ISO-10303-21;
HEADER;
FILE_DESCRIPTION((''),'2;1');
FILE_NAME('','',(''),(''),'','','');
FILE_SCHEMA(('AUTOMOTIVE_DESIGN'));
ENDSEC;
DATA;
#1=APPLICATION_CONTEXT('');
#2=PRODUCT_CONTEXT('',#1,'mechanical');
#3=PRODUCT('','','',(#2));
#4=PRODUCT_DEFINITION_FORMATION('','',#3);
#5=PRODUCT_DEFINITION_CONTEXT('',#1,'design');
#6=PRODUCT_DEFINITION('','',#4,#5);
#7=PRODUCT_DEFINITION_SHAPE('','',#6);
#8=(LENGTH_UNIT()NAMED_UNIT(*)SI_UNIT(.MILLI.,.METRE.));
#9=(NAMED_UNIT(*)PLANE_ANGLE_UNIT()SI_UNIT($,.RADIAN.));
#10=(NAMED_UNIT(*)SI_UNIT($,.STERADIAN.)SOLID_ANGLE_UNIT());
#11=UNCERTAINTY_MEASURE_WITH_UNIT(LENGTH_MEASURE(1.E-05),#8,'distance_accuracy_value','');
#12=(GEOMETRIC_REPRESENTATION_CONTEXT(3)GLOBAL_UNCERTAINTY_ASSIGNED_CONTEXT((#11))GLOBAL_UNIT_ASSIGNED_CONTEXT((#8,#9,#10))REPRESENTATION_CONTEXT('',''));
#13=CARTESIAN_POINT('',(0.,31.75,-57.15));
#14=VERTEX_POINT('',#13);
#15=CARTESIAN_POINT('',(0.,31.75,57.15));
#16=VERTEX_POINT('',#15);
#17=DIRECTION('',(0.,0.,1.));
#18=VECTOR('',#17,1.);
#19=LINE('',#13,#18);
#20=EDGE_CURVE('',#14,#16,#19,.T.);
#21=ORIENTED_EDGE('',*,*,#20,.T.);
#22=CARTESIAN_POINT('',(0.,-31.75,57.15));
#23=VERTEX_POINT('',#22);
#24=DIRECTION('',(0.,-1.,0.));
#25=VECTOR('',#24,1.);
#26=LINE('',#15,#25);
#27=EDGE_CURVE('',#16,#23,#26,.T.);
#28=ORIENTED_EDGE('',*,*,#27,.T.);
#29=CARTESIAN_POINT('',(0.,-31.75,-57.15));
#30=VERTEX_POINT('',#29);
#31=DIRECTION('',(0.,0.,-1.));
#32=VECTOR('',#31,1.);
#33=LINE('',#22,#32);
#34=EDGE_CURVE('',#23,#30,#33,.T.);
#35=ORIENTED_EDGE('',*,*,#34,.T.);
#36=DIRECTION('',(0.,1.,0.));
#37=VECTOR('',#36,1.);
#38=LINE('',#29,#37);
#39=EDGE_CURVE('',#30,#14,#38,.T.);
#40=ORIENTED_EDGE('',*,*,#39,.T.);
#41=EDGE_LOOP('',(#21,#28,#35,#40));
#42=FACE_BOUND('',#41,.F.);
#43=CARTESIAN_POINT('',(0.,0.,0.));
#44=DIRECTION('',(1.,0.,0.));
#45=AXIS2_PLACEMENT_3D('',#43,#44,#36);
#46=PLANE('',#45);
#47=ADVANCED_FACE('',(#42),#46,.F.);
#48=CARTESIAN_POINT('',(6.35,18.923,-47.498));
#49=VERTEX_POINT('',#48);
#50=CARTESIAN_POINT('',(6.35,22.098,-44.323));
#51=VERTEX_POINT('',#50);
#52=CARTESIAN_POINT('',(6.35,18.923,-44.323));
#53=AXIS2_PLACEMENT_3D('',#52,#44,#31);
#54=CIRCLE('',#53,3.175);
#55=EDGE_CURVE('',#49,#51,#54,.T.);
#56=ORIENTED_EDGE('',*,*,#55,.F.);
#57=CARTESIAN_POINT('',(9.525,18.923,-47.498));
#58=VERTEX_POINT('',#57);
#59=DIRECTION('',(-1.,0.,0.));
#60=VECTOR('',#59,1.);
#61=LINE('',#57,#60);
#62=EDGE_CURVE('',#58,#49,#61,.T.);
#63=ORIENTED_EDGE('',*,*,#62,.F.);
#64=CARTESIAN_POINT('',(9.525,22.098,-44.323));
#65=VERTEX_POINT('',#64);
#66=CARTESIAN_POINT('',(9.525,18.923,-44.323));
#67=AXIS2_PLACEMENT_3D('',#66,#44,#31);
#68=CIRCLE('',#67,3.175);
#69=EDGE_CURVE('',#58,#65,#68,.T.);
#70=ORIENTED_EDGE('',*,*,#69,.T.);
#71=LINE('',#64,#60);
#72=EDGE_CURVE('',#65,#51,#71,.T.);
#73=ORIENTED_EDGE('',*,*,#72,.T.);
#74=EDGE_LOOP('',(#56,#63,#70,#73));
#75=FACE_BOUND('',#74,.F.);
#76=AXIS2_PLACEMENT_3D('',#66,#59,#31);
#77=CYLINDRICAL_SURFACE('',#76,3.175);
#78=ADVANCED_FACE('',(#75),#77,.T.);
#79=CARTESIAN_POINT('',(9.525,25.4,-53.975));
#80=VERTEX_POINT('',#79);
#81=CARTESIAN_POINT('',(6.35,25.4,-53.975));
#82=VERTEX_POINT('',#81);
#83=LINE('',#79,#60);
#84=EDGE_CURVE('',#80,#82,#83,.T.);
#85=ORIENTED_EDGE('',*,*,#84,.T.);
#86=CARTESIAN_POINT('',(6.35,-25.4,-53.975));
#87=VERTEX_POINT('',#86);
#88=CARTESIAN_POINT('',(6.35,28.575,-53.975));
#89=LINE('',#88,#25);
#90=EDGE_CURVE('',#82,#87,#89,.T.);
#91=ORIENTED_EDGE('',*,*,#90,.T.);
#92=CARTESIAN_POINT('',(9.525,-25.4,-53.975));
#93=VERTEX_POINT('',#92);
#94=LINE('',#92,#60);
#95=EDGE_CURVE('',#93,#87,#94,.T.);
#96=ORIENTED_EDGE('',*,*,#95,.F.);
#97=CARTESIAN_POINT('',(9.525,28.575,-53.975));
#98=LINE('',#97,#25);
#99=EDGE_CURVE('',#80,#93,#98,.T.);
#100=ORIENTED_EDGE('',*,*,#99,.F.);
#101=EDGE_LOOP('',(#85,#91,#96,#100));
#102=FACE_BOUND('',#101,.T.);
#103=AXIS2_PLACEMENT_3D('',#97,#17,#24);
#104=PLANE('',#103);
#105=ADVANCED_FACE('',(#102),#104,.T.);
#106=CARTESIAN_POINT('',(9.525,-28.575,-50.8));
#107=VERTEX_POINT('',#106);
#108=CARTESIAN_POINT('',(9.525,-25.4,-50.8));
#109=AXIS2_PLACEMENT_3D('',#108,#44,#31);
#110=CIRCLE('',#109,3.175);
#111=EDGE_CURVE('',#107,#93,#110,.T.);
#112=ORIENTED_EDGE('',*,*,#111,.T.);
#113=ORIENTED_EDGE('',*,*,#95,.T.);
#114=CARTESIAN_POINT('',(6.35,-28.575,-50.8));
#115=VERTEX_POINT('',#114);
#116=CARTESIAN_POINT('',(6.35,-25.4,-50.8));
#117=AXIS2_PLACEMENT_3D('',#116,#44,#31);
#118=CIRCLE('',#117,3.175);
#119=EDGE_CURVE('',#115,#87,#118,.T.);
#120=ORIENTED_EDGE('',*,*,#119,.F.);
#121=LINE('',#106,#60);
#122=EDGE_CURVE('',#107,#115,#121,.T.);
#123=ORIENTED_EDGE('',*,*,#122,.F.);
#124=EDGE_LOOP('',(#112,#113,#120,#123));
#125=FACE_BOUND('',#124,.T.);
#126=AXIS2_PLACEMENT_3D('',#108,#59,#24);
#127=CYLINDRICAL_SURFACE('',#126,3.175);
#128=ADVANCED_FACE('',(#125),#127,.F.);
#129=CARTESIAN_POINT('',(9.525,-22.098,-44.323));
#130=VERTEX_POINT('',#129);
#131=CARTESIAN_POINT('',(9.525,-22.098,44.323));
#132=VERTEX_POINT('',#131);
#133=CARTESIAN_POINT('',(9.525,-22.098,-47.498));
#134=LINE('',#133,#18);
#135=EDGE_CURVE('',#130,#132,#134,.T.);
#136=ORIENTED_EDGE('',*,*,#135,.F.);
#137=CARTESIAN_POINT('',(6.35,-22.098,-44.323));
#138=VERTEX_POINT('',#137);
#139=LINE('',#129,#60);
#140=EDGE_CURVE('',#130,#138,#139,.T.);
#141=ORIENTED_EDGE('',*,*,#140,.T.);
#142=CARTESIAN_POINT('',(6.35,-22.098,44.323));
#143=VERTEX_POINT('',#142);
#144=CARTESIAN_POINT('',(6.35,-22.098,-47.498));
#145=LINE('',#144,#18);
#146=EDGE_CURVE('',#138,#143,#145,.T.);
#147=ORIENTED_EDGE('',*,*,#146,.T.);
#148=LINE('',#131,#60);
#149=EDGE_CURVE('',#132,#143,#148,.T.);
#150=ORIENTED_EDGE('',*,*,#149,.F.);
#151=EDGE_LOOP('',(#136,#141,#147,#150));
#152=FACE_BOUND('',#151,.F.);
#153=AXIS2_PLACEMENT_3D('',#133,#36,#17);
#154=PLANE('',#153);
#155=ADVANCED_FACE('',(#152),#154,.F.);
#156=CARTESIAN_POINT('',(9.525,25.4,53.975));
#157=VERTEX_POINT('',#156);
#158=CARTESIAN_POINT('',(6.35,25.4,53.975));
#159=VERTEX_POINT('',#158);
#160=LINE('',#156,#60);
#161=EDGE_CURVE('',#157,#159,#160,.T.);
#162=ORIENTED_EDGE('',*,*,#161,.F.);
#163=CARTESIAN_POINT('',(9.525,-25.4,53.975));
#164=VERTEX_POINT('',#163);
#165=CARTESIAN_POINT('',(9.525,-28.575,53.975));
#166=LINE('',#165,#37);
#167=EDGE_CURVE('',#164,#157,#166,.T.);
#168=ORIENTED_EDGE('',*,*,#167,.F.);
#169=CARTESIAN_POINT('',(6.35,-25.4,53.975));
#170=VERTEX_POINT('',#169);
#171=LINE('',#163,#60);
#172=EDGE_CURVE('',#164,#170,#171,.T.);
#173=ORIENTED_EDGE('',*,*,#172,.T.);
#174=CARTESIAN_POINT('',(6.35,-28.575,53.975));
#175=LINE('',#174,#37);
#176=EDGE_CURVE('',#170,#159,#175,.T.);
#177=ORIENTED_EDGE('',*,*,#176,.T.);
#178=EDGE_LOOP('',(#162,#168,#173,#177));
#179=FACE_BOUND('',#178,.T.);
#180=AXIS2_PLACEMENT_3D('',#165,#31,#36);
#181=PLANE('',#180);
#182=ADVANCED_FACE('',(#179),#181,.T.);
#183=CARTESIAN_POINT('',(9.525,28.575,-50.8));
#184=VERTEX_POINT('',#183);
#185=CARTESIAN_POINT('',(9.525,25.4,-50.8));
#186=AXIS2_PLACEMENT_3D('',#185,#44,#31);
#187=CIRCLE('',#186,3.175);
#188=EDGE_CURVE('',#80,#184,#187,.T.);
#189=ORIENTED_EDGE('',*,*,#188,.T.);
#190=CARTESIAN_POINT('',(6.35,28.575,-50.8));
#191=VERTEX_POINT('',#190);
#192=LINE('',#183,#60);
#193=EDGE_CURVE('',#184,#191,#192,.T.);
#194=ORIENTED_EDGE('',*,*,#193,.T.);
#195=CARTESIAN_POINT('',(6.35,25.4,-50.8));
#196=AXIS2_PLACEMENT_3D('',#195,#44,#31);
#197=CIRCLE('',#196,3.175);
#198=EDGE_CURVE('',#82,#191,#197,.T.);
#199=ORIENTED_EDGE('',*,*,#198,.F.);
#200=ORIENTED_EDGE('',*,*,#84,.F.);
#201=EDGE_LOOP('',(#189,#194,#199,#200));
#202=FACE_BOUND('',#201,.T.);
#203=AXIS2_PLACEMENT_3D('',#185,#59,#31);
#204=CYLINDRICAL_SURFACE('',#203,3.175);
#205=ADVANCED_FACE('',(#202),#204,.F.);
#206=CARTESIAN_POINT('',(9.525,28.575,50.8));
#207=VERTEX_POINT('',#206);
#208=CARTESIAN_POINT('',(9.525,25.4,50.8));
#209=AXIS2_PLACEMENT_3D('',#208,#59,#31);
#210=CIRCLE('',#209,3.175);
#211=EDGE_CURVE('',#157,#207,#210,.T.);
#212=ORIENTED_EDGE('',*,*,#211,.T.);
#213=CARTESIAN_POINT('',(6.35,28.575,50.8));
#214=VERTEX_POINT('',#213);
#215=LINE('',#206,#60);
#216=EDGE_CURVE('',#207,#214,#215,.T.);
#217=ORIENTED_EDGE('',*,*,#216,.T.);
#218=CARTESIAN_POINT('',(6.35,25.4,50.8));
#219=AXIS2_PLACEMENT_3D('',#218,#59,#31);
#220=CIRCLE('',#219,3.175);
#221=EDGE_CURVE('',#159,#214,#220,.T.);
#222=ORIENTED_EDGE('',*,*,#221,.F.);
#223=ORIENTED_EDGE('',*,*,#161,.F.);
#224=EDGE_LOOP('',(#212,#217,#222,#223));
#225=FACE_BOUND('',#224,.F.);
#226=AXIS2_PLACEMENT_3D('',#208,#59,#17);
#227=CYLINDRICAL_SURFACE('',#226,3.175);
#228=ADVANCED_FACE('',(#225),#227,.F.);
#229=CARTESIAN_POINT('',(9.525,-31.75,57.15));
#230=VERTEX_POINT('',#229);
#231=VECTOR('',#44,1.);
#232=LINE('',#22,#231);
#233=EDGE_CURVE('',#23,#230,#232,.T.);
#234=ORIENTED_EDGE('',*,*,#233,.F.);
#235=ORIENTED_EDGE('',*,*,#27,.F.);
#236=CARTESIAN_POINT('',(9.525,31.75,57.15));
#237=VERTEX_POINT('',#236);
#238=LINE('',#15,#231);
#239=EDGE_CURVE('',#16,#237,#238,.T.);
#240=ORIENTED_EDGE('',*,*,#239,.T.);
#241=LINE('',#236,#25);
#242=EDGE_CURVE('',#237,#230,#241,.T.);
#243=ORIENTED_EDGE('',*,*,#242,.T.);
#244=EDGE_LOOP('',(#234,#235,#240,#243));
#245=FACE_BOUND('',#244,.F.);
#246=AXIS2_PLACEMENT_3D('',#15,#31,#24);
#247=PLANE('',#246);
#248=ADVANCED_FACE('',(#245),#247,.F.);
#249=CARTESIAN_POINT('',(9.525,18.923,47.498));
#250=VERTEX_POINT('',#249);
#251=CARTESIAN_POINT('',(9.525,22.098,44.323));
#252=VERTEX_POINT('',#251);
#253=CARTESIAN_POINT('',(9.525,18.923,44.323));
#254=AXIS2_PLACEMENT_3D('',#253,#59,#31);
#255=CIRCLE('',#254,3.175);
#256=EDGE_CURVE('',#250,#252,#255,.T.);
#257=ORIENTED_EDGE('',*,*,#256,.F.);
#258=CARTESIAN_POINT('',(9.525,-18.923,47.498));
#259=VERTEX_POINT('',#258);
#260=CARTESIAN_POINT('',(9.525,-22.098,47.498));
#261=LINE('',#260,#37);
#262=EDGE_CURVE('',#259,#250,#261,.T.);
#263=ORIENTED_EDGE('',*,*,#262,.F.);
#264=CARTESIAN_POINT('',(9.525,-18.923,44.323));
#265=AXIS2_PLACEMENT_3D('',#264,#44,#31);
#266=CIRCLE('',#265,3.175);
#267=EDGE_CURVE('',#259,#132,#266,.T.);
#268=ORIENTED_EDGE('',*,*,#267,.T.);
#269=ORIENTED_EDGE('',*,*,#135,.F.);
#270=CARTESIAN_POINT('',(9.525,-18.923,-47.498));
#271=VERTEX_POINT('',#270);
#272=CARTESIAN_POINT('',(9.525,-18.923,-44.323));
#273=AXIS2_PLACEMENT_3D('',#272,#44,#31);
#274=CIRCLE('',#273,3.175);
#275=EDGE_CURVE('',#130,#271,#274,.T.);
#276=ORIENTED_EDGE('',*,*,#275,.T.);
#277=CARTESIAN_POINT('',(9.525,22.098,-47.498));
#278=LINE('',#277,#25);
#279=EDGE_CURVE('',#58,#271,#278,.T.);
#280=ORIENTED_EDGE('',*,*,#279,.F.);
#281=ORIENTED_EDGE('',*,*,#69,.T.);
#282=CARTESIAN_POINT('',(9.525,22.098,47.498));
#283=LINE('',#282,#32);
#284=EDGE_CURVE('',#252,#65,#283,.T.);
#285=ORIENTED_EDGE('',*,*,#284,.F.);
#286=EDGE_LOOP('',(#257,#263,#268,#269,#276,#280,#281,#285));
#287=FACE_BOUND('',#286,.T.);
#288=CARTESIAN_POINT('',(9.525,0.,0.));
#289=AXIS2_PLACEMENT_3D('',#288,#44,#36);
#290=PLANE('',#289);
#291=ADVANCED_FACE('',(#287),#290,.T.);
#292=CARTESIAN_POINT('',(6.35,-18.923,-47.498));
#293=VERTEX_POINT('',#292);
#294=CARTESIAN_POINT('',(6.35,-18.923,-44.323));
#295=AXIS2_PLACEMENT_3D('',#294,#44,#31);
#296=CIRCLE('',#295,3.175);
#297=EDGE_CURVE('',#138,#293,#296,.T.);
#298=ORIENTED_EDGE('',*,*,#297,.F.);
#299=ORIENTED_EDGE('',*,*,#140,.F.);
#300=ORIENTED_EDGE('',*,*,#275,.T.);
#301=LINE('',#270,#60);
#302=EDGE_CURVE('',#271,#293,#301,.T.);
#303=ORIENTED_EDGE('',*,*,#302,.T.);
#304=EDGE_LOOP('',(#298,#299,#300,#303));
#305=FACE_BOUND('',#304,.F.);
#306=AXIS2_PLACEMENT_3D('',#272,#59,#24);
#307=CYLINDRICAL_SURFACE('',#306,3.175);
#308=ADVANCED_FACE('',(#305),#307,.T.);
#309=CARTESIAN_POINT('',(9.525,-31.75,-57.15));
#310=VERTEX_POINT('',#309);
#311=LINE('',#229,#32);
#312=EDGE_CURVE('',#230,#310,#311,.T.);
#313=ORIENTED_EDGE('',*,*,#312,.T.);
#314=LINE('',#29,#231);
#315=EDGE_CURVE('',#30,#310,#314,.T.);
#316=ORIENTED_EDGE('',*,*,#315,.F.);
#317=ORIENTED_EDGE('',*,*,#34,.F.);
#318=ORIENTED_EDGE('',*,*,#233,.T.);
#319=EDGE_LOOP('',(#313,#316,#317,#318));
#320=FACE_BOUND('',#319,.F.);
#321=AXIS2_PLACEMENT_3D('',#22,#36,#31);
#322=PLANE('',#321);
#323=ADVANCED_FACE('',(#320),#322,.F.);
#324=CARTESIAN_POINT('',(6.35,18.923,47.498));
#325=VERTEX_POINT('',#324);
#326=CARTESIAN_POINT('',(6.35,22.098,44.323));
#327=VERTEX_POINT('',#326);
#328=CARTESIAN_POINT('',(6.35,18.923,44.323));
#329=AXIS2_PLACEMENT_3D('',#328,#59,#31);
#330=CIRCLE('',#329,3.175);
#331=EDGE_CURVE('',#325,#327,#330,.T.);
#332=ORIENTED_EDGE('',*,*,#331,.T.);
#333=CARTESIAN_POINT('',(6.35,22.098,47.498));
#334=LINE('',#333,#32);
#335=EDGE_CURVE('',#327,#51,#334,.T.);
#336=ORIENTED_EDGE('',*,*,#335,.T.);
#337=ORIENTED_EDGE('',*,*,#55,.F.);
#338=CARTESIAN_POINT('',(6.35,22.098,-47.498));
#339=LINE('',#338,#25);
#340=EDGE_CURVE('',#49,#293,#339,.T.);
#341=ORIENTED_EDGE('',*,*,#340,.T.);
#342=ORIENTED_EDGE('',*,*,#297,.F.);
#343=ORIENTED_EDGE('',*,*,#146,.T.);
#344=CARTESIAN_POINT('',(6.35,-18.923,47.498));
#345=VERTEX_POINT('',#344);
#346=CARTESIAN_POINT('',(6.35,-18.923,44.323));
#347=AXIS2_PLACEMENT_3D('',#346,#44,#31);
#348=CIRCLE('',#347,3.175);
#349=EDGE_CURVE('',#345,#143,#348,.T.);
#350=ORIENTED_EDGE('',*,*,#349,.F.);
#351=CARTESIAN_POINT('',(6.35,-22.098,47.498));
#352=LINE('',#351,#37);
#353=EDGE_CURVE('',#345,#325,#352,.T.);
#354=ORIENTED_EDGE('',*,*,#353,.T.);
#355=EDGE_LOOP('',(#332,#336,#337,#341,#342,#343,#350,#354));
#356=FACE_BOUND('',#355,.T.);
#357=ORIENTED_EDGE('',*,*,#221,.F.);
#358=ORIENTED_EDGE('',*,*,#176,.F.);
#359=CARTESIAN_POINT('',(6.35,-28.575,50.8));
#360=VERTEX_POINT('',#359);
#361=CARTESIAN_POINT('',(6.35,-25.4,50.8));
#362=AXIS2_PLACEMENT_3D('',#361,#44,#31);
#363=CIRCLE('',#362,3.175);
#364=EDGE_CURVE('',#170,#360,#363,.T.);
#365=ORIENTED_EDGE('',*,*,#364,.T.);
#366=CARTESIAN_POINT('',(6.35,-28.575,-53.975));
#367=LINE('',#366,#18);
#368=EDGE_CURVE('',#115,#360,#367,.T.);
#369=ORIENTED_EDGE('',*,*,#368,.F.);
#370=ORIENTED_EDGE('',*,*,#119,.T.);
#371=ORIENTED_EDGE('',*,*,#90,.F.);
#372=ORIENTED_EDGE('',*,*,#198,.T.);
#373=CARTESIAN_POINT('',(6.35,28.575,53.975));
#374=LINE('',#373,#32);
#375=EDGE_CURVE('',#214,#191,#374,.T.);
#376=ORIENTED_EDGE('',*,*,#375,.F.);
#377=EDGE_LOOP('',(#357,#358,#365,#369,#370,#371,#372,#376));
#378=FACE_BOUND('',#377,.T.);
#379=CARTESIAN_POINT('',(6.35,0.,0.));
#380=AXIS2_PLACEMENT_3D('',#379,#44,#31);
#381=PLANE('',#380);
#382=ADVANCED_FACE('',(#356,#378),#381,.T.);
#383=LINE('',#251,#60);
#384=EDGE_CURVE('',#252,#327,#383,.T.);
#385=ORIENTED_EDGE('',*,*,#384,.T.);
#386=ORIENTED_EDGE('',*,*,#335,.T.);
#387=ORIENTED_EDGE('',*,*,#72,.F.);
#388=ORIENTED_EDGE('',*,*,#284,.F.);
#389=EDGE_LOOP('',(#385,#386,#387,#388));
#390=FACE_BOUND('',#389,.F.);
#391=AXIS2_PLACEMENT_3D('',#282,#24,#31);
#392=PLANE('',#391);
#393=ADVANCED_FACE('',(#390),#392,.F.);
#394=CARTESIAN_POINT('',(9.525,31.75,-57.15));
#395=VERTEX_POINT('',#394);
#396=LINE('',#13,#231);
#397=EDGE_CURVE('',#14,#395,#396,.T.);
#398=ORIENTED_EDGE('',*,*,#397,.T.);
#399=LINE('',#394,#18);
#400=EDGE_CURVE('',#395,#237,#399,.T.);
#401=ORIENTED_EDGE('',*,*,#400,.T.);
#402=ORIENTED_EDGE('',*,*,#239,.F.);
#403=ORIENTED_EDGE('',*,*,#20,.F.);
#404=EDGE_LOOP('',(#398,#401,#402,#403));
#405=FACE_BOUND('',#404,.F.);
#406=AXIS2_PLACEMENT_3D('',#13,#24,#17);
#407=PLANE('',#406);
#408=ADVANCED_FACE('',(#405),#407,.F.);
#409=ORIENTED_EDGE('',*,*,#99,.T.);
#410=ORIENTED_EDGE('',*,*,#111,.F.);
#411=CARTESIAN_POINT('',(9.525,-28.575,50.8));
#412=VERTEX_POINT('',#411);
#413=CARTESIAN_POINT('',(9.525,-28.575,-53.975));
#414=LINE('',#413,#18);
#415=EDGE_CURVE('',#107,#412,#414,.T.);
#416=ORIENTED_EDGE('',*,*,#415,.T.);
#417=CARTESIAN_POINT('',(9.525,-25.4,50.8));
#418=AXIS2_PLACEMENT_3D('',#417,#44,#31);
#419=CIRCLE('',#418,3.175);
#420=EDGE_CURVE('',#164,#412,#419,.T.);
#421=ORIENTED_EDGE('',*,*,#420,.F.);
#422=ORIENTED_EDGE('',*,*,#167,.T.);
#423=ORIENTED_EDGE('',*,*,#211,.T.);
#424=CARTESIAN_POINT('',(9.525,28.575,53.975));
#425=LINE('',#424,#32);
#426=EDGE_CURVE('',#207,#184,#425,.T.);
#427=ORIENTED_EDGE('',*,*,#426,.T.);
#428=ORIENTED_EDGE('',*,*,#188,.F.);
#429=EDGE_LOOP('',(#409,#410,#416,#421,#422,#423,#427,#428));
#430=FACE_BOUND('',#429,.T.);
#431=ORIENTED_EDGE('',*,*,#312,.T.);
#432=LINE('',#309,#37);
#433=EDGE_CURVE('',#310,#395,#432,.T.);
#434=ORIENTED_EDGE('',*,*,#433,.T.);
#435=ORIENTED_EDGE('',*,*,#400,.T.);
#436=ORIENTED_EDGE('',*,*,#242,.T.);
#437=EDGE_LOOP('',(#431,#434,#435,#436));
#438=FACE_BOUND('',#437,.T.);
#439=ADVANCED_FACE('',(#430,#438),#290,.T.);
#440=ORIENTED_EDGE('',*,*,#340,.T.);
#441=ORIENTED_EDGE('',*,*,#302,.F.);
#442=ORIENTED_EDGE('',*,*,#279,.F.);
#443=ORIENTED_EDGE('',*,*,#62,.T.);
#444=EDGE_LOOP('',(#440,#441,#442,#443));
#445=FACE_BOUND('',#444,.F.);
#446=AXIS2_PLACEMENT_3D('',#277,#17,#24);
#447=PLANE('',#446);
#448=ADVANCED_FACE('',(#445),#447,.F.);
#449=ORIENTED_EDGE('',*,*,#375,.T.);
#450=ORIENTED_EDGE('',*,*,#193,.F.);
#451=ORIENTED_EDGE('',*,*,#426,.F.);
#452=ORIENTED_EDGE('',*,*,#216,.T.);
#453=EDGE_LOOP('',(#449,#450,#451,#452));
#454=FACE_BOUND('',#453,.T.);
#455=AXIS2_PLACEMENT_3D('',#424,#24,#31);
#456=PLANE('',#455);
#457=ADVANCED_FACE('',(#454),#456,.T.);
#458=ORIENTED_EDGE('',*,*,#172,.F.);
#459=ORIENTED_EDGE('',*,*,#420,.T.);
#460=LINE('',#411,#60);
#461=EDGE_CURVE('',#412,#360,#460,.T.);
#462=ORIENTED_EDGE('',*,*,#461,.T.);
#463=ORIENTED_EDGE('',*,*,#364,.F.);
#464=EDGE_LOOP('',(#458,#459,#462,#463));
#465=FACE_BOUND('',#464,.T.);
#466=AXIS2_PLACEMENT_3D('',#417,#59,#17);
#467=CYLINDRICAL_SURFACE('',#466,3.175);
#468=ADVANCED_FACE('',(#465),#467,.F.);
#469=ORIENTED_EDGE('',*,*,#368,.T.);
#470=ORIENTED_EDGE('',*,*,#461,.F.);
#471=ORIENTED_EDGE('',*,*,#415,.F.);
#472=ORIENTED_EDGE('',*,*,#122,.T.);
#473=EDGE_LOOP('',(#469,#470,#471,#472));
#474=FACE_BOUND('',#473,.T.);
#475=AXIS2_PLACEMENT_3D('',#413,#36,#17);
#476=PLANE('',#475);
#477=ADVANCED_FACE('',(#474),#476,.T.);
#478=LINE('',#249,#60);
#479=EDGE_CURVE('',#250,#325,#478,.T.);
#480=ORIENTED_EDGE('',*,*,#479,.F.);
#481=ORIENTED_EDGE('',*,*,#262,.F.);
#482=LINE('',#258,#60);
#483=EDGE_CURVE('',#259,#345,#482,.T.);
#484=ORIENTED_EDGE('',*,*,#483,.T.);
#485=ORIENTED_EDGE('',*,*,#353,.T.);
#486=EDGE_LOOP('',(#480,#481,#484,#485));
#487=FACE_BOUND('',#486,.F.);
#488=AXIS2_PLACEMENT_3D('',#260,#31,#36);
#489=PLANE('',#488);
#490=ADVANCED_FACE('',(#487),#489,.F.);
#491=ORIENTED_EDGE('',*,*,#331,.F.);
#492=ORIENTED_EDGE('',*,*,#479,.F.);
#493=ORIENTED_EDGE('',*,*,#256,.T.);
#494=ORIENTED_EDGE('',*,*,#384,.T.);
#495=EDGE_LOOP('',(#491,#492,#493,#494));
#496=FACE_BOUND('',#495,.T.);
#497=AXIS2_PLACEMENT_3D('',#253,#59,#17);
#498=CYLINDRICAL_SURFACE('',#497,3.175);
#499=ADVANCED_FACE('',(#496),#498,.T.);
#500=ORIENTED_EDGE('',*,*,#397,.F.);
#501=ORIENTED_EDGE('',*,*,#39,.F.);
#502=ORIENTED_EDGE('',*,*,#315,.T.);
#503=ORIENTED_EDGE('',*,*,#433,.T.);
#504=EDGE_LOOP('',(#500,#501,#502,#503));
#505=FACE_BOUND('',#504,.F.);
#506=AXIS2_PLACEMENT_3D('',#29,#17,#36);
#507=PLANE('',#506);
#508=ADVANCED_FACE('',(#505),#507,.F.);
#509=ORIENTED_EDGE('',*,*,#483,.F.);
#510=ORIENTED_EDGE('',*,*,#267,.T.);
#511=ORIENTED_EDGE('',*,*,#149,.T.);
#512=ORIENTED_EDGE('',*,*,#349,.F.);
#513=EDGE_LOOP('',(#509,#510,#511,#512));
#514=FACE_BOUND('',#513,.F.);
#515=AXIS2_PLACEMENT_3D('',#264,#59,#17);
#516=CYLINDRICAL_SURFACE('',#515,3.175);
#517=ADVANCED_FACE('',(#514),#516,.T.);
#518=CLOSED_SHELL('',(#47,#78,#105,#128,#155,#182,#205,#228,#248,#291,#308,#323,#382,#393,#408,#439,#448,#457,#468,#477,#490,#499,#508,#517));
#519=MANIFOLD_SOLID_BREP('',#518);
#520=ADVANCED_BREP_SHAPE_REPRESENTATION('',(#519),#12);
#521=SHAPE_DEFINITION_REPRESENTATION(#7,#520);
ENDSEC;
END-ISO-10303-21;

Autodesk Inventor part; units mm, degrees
ref_plane "YZ Plane" through (0, 0, 0) normal (1, 0, 0) x (0, 1, 0)
ref_plane "XZ Plane" through (0, 0, 0) normal (0, 1, 0) x (-1, 0, 0)
ref_plane "XY Plane" through (0, 0, 0) normal (0, 0, 1) x (1, 0, 0)
sketch "Sketch1" plane through (0, 0, 0) normal (1, 0, 0) x (0, 1, 0)
  line L0 (31.75, 57.15) -> (-31.75, 57.15)
  line L1 (-31.75, 57.15) -> (-31.75, -57.15)
  line L2 (-31.75, -57.15) -> (31.75, -57.15)
  line L3 (31.75, -57.15) -> (31.75, 57.15)
  point P0 (0, 0)
  point P1 (31.75, 0)
  point P2 (0, 57.15)
  dimension "d0" = 114.3
  dimension "d1" = 63.5
extrude "Extrusion1" add sketch "Sketch1" along normal blind 9.525
sketch "Sketch3" plane through (9.525, 0, 0) normal (1, 0, 0) x (0, 0, -1)
  line L0 (-53.975, 28.575) -> (53.975, 28.575)
  line L1 (53.975, 28.575) -> (53.975, -28.575)
  line L2 (53.975, -28.575) -> (-53.975, -28.575)
  line L3 (-53.975, -28.575) -> (-53.975, 28.575)
  line L4 (-47.498, 22.098) -> (47.498, 22.098)
  line L5 (47.498, 22.098) -> (47.498, -22.098)
  line L6 (47.498, -22.098) -> (-47.498, -22.098)
  line L7 (-47.498, -22.098) -> (-47.498, 22.098)
  point P0 (0, 0)
  point P1 (0, 0)
  point P2 (-53.975, 0)
  point P3 (0, 28.575)
  dimension "d8" = 57.15
  dimension "d9" = 107.95
  dimension "d14" = 6.477
extrude "Extrusion3" cut sketch "Sketch3" against normal blind 3.175
fillet "Fillet1" radius 3.175 8 edges at (7.9375, 28.575, 53.975) (7.9375, -28.575, 53.975) (7.9375, -28.575, -53.975) (7.9375, 28.575, -53.975) (7.9375, -22.098, -47.498) (7.9375, 22.098, -47.498) (7.9375, 22.098, 47.498) (7.9375, -22.098, 47.498)
properties part number "plateEnd" material "Aluminum 6061"
